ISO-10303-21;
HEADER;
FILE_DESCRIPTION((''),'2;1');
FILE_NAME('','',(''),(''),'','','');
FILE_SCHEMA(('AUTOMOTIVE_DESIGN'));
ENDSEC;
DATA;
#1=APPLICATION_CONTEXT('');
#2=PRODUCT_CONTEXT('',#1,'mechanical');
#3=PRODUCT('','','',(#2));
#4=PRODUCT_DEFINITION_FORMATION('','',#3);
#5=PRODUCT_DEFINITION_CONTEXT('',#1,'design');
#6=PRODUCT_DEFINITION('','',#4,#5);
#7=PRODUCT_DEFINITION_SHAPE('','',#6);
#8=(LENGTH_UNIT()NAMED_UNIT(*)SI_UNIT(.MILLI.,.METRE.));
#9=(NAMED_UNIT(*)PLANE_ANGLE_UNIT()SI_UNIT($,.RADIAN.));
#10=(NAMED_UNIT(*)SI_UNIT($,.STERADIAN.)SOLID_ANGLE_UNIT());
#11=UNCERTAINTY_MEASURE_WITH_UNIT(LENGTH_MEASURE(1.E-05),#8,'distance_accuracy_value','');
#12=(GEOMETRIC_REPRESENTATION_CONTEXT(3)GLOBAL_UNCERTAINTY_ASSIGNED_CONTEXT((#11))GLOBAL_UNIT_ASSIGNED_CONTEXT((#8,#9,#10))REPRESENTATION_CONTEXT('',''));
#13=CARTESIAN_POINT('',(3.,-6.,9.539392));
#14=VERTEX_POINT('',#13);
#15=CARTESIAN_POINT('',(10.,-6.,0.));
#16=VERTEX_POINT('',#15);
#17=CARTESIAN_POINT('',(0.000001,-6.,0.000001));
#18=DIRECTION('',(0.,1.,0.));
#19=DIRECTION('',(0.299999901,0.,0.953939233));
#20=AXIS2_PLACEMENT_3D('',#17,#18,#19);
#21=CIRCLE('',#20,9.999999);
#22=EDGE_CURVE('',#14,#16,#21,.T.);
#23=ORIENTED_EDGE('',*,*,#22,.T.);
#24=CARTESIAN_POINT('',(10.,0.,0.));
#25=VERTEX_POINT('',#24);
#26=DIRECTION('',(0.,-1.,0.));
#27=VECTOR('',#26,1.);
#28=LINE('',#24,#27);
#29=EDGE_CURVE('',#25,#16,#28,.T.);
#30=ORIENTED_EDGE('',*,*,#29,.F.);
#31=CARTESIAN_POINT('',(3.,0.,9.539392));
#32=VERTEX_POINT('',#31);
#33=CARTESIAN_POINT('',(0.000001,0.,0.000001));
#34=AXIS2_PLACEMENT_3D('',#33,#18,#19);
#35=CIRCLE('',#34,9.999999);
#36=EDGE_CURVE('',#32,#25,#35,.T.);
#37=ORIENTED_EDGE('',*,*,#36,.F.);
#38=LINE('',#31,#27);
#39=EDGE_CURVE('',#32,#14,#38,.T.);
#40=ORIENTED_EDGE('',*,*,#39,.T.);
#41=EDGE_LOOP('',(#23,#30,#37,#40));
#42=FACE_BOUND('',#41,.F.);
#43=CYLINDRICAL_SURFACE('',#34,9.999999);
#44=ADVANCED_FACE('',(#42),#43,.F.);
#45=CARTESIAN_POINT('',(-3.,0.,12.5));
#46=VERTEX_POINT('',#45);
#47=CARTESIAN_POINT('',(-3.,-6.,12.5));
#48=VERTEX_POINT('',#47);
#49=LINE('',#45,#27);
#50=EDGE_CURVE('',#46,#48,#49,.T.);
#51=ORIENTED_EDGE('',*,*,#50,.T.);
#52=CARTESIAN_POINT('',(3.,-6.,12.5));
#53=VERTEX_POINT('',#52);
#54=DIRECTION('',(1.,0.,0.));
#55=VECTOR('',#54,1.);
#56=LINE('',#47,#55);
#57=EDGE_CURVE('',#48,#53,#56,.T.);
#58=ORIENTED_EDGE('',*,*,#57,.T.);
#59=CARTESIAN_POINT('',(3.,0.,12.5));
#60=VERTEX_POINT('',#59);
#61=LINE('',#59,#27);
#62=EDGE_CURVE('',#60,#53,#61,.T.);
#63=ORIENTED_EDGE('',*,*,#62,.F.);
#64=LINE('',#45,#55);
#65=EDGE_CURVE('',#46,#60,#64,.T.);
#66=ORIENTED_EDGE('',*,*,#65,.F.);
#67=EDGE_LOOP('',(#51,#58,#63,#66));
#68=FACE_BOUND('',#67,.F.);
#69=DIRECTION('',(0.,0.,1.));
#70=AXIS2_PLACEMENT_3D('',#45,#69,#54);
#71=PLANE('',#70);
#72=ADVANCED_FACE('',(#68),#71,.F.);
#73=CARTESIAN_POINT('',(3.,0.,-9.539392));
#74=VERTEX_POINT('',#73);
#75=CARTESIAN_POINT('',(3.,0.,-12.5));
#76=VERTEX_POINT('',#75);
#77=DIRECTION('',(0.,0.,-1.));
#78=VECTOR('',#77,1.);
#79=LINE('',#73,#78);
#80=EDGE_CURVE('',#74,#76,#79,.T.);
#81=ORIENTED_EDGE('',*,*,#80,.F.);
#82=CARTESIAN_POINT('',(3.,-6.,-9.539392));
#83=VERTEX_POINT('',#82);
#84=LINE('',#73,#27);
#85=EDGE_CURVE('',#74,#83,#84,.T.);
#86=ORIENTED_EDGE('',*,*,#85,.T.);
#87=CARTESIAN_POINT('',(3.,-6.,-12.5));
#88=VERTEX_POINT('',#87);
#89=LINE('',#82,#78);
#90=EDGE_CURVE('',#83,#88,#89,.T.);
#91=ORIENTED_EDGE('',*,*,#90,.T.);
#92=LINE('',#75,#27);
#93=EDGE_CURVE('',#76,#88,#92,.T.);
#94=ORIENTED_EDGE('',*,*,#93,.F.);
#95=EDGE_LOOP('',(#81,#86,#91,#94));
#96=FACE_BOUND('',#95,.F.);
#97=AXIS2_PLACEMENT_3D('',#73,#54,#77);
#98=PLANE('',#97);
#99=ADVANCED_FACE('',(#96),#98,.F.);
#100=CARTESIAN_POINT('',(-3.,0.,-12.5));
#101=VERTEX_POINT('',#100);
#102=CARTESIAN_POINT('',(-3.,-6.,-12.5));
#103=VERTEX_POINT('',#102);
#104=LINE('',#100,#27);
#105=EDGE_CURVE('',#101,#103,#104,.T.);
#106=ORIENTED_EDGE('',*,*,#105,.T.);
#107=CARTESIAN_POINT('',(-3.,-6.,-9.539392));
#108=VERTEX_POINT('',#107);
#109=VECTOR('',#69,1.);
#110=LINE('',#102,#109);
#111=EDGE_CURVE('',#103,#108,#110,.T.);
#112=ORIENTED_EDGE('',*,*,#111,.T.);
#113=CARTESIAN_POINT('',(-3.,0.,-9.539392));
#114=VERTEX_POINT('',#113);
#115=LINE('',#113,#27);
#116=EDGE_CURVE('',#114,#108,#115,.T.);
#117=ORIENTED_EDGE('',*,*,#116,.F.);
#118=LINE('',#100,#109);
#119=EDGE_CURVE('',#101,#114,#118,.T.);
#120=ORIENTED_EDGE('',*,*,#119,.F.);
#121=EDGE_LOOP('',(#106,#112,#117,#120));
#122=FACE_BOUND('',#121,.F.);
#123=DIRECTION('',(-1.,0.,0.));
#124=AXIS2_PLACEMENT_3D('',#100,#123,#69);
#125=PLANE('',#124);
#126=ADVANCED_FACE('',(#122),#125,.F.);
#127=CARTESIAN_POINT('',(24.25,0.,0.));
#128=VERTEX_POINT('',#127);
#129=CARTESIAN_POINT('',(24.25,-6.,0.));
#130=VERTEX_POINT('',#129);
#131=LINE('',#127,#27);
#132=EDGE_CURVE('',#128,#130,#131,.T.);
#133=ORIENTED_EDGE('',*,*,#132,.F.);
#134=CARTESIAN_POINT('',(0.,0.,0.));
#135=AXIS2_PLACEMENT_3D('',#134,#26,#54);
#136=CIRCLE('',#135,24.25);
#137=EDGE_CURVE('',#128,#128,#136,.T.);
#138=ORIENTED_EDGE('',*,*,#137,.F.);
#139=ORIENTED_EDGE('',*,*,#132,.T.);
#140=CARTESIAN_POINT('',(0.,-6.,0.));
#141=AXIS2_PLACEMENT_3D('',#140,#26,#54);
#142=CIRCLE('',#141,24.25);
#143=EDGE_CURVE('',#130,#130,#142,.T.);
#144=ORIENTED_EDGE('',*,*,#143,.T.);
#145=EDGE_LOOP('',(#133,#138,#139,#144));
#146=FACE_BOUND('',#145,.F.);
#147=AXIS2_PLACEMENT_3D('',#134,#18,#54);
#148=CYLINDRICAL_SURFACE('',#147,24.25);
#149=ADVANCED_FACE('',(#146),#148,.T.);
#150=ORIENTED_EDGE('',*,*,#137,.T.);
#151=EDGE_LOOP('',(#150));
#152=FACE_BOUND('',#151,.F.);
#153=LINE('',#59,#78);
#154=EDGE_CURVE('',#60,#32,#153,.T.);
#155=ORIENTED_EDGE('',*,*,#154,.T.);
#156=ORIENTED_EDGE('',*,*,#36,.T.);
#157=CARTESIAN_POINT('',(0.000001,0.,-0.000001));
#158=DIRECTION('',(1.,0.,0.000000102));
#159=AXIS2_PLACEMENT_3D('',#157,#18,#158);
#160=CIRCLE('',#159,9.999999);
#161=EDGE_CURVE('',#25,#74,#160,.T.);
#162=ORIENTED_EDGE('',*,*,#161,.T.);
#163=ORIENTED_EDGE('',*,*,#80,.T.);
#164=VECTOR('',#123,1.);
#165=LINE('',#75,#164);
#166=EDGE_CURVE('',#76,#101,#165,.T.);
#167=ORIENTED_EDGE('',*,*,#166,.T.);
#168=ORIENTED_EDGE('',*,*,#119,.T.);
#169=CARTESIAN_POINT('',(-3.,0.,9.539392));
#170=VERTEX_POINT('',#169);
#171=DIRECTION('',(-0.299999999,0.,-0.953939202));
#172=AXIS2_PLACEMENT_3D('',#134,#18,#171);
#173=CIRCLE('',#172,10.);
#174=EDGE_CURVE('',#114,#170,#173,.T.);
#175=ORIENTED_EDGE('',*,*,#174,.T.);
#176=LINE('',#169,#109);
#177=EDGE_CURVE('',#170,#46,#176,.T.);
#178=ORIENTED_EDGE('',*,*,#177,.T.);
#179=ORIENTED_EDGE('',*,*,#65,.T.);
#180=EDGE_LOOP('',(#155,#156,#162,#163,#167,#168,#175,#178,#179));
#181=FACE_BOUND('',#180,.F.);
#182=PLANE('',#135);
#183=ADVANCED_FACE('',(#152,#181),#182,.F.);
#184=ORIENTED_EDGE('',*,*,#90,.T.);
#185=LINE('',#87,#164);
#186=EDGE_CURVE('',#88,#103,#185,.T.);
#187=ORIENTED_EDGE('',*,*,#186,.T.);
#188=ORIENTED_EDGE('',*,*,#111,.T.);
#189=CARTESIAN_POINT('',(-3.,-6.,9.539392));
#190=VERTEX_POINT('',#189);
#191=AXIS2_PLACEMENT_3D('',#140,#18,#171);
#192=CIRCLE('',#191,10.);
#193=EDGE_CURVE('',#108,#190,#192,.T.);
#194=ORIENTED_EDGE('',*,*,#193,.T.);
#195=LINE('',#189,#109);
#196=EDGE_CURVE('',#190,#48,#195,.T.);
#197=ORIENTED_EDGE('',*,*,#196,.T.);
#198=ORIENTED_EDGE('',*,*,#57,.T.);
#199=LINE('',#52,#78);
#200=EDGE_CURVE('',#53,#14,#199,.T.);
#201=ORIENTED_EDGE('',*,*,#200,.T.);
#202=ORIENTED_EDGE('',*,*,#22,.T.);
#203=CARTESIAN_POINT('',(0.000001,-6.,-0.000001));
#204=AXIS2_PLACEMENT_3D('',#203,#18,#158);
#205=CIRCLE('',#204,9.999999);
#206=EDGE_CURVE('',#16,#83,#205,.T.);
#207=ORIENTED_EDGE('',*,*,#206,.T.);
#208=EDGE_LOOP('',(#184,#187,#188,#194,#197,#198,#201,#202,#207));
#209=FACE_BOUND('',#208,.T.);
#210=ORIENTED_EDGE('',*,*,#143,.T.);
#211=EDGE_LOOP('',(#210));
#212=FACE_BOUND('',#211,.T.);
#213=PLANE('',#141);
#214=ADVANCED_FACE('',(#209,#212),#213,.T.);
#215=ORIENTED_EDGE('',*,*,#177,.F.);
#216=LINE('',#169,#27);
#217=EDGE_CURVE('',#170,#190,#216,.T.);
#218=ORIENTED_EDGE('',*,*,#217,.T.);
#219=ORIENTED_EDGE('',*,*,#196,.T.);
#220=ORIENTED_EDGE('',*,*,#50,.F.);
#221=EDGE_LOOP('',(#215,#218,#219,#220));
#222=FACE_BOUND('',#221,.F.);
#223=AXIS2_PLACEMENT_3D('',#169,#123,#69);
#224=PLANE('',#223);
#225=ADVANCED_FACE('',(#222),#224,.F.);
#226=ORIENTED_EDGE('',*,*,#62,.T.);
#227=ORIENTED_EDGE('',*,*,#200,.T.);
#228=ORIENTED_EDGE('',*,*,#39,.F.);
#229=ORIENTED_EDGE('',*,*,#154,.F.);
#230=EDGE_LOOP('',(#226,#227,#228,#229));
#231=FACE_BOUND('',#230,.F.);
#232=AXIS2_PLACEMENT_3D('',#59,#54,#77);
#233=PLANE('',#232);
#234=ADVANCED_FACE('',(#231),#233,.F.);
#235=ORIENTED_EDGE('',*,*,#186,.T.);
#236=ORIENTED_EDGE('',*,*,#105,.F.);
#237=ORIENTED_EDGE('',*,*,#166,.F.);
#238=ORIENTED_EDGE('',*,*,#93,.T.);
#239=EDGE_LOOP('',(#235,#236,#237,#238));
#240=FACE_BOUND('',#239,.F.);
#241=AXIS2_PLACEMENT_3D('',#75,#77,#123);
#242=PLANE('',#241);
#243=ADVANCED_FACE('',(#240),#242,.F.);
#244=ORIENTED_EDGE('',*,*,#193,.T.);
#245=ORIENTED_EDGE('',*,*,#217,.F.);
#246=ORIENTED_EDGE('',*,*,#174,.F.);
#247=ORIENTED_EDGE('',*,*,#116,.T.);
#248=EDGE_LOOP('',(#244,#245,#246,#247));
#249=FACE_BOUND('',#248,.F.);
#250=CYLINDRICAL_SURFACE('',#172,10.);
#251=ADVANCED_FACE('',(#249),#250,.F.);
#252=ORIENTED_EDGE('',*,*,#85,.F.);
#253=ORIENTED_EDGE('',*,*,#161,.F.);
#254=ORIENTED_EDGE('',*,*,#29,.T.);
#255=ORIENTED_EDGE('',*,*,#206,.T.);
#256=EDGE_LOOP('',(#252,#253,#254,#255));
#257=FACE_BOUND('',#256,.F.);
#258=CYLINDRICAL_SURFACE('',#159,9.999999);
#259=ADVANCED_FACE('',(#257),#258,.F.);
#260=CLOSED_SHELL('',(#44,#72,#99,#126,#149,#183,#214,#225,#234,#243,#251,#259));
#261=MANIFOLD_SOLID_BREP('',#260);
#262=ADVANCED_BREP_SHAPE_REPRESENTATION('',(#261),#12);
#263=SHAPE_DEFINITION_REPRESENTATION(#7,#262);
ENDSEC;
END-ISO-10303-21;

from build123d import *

# Parameters (mm, degrees)
F0_R     = 24.25
F1_DEPTH = 6


with BuildPart() as f1:
    # F0 (on Front) → F1 (new body)
    with BuildSketch(Plane.XZ):
        Circle(F0_R)
        with BuildLine():
            ThreePointArc((3, 9.539392), (8.062258, 5.91608), (10, 0))
            ThreePointArc((10, 0), (8.062258, -5.91608), (3, -9.539392))
            Line((3, -9.539392), (3, -12.5))
            Line((3, -12.5), (-3, -12.5))
            Line((-3, -12.5), (-3, -9.539392))
            ThreePointArc((-3, -9.539392), (-10, 0), (-3, 9.539392))
            Line((-3, 9.539392), (-3, 12.5))
            Line((-3, 12.5), (3, 12.5))
            Line((3, 12.5), (3, 9.539392))
        make_face(mode=Mode.SUBTRACT)
    extrude(amount=F1_DEPTH)


solid = f1.part
